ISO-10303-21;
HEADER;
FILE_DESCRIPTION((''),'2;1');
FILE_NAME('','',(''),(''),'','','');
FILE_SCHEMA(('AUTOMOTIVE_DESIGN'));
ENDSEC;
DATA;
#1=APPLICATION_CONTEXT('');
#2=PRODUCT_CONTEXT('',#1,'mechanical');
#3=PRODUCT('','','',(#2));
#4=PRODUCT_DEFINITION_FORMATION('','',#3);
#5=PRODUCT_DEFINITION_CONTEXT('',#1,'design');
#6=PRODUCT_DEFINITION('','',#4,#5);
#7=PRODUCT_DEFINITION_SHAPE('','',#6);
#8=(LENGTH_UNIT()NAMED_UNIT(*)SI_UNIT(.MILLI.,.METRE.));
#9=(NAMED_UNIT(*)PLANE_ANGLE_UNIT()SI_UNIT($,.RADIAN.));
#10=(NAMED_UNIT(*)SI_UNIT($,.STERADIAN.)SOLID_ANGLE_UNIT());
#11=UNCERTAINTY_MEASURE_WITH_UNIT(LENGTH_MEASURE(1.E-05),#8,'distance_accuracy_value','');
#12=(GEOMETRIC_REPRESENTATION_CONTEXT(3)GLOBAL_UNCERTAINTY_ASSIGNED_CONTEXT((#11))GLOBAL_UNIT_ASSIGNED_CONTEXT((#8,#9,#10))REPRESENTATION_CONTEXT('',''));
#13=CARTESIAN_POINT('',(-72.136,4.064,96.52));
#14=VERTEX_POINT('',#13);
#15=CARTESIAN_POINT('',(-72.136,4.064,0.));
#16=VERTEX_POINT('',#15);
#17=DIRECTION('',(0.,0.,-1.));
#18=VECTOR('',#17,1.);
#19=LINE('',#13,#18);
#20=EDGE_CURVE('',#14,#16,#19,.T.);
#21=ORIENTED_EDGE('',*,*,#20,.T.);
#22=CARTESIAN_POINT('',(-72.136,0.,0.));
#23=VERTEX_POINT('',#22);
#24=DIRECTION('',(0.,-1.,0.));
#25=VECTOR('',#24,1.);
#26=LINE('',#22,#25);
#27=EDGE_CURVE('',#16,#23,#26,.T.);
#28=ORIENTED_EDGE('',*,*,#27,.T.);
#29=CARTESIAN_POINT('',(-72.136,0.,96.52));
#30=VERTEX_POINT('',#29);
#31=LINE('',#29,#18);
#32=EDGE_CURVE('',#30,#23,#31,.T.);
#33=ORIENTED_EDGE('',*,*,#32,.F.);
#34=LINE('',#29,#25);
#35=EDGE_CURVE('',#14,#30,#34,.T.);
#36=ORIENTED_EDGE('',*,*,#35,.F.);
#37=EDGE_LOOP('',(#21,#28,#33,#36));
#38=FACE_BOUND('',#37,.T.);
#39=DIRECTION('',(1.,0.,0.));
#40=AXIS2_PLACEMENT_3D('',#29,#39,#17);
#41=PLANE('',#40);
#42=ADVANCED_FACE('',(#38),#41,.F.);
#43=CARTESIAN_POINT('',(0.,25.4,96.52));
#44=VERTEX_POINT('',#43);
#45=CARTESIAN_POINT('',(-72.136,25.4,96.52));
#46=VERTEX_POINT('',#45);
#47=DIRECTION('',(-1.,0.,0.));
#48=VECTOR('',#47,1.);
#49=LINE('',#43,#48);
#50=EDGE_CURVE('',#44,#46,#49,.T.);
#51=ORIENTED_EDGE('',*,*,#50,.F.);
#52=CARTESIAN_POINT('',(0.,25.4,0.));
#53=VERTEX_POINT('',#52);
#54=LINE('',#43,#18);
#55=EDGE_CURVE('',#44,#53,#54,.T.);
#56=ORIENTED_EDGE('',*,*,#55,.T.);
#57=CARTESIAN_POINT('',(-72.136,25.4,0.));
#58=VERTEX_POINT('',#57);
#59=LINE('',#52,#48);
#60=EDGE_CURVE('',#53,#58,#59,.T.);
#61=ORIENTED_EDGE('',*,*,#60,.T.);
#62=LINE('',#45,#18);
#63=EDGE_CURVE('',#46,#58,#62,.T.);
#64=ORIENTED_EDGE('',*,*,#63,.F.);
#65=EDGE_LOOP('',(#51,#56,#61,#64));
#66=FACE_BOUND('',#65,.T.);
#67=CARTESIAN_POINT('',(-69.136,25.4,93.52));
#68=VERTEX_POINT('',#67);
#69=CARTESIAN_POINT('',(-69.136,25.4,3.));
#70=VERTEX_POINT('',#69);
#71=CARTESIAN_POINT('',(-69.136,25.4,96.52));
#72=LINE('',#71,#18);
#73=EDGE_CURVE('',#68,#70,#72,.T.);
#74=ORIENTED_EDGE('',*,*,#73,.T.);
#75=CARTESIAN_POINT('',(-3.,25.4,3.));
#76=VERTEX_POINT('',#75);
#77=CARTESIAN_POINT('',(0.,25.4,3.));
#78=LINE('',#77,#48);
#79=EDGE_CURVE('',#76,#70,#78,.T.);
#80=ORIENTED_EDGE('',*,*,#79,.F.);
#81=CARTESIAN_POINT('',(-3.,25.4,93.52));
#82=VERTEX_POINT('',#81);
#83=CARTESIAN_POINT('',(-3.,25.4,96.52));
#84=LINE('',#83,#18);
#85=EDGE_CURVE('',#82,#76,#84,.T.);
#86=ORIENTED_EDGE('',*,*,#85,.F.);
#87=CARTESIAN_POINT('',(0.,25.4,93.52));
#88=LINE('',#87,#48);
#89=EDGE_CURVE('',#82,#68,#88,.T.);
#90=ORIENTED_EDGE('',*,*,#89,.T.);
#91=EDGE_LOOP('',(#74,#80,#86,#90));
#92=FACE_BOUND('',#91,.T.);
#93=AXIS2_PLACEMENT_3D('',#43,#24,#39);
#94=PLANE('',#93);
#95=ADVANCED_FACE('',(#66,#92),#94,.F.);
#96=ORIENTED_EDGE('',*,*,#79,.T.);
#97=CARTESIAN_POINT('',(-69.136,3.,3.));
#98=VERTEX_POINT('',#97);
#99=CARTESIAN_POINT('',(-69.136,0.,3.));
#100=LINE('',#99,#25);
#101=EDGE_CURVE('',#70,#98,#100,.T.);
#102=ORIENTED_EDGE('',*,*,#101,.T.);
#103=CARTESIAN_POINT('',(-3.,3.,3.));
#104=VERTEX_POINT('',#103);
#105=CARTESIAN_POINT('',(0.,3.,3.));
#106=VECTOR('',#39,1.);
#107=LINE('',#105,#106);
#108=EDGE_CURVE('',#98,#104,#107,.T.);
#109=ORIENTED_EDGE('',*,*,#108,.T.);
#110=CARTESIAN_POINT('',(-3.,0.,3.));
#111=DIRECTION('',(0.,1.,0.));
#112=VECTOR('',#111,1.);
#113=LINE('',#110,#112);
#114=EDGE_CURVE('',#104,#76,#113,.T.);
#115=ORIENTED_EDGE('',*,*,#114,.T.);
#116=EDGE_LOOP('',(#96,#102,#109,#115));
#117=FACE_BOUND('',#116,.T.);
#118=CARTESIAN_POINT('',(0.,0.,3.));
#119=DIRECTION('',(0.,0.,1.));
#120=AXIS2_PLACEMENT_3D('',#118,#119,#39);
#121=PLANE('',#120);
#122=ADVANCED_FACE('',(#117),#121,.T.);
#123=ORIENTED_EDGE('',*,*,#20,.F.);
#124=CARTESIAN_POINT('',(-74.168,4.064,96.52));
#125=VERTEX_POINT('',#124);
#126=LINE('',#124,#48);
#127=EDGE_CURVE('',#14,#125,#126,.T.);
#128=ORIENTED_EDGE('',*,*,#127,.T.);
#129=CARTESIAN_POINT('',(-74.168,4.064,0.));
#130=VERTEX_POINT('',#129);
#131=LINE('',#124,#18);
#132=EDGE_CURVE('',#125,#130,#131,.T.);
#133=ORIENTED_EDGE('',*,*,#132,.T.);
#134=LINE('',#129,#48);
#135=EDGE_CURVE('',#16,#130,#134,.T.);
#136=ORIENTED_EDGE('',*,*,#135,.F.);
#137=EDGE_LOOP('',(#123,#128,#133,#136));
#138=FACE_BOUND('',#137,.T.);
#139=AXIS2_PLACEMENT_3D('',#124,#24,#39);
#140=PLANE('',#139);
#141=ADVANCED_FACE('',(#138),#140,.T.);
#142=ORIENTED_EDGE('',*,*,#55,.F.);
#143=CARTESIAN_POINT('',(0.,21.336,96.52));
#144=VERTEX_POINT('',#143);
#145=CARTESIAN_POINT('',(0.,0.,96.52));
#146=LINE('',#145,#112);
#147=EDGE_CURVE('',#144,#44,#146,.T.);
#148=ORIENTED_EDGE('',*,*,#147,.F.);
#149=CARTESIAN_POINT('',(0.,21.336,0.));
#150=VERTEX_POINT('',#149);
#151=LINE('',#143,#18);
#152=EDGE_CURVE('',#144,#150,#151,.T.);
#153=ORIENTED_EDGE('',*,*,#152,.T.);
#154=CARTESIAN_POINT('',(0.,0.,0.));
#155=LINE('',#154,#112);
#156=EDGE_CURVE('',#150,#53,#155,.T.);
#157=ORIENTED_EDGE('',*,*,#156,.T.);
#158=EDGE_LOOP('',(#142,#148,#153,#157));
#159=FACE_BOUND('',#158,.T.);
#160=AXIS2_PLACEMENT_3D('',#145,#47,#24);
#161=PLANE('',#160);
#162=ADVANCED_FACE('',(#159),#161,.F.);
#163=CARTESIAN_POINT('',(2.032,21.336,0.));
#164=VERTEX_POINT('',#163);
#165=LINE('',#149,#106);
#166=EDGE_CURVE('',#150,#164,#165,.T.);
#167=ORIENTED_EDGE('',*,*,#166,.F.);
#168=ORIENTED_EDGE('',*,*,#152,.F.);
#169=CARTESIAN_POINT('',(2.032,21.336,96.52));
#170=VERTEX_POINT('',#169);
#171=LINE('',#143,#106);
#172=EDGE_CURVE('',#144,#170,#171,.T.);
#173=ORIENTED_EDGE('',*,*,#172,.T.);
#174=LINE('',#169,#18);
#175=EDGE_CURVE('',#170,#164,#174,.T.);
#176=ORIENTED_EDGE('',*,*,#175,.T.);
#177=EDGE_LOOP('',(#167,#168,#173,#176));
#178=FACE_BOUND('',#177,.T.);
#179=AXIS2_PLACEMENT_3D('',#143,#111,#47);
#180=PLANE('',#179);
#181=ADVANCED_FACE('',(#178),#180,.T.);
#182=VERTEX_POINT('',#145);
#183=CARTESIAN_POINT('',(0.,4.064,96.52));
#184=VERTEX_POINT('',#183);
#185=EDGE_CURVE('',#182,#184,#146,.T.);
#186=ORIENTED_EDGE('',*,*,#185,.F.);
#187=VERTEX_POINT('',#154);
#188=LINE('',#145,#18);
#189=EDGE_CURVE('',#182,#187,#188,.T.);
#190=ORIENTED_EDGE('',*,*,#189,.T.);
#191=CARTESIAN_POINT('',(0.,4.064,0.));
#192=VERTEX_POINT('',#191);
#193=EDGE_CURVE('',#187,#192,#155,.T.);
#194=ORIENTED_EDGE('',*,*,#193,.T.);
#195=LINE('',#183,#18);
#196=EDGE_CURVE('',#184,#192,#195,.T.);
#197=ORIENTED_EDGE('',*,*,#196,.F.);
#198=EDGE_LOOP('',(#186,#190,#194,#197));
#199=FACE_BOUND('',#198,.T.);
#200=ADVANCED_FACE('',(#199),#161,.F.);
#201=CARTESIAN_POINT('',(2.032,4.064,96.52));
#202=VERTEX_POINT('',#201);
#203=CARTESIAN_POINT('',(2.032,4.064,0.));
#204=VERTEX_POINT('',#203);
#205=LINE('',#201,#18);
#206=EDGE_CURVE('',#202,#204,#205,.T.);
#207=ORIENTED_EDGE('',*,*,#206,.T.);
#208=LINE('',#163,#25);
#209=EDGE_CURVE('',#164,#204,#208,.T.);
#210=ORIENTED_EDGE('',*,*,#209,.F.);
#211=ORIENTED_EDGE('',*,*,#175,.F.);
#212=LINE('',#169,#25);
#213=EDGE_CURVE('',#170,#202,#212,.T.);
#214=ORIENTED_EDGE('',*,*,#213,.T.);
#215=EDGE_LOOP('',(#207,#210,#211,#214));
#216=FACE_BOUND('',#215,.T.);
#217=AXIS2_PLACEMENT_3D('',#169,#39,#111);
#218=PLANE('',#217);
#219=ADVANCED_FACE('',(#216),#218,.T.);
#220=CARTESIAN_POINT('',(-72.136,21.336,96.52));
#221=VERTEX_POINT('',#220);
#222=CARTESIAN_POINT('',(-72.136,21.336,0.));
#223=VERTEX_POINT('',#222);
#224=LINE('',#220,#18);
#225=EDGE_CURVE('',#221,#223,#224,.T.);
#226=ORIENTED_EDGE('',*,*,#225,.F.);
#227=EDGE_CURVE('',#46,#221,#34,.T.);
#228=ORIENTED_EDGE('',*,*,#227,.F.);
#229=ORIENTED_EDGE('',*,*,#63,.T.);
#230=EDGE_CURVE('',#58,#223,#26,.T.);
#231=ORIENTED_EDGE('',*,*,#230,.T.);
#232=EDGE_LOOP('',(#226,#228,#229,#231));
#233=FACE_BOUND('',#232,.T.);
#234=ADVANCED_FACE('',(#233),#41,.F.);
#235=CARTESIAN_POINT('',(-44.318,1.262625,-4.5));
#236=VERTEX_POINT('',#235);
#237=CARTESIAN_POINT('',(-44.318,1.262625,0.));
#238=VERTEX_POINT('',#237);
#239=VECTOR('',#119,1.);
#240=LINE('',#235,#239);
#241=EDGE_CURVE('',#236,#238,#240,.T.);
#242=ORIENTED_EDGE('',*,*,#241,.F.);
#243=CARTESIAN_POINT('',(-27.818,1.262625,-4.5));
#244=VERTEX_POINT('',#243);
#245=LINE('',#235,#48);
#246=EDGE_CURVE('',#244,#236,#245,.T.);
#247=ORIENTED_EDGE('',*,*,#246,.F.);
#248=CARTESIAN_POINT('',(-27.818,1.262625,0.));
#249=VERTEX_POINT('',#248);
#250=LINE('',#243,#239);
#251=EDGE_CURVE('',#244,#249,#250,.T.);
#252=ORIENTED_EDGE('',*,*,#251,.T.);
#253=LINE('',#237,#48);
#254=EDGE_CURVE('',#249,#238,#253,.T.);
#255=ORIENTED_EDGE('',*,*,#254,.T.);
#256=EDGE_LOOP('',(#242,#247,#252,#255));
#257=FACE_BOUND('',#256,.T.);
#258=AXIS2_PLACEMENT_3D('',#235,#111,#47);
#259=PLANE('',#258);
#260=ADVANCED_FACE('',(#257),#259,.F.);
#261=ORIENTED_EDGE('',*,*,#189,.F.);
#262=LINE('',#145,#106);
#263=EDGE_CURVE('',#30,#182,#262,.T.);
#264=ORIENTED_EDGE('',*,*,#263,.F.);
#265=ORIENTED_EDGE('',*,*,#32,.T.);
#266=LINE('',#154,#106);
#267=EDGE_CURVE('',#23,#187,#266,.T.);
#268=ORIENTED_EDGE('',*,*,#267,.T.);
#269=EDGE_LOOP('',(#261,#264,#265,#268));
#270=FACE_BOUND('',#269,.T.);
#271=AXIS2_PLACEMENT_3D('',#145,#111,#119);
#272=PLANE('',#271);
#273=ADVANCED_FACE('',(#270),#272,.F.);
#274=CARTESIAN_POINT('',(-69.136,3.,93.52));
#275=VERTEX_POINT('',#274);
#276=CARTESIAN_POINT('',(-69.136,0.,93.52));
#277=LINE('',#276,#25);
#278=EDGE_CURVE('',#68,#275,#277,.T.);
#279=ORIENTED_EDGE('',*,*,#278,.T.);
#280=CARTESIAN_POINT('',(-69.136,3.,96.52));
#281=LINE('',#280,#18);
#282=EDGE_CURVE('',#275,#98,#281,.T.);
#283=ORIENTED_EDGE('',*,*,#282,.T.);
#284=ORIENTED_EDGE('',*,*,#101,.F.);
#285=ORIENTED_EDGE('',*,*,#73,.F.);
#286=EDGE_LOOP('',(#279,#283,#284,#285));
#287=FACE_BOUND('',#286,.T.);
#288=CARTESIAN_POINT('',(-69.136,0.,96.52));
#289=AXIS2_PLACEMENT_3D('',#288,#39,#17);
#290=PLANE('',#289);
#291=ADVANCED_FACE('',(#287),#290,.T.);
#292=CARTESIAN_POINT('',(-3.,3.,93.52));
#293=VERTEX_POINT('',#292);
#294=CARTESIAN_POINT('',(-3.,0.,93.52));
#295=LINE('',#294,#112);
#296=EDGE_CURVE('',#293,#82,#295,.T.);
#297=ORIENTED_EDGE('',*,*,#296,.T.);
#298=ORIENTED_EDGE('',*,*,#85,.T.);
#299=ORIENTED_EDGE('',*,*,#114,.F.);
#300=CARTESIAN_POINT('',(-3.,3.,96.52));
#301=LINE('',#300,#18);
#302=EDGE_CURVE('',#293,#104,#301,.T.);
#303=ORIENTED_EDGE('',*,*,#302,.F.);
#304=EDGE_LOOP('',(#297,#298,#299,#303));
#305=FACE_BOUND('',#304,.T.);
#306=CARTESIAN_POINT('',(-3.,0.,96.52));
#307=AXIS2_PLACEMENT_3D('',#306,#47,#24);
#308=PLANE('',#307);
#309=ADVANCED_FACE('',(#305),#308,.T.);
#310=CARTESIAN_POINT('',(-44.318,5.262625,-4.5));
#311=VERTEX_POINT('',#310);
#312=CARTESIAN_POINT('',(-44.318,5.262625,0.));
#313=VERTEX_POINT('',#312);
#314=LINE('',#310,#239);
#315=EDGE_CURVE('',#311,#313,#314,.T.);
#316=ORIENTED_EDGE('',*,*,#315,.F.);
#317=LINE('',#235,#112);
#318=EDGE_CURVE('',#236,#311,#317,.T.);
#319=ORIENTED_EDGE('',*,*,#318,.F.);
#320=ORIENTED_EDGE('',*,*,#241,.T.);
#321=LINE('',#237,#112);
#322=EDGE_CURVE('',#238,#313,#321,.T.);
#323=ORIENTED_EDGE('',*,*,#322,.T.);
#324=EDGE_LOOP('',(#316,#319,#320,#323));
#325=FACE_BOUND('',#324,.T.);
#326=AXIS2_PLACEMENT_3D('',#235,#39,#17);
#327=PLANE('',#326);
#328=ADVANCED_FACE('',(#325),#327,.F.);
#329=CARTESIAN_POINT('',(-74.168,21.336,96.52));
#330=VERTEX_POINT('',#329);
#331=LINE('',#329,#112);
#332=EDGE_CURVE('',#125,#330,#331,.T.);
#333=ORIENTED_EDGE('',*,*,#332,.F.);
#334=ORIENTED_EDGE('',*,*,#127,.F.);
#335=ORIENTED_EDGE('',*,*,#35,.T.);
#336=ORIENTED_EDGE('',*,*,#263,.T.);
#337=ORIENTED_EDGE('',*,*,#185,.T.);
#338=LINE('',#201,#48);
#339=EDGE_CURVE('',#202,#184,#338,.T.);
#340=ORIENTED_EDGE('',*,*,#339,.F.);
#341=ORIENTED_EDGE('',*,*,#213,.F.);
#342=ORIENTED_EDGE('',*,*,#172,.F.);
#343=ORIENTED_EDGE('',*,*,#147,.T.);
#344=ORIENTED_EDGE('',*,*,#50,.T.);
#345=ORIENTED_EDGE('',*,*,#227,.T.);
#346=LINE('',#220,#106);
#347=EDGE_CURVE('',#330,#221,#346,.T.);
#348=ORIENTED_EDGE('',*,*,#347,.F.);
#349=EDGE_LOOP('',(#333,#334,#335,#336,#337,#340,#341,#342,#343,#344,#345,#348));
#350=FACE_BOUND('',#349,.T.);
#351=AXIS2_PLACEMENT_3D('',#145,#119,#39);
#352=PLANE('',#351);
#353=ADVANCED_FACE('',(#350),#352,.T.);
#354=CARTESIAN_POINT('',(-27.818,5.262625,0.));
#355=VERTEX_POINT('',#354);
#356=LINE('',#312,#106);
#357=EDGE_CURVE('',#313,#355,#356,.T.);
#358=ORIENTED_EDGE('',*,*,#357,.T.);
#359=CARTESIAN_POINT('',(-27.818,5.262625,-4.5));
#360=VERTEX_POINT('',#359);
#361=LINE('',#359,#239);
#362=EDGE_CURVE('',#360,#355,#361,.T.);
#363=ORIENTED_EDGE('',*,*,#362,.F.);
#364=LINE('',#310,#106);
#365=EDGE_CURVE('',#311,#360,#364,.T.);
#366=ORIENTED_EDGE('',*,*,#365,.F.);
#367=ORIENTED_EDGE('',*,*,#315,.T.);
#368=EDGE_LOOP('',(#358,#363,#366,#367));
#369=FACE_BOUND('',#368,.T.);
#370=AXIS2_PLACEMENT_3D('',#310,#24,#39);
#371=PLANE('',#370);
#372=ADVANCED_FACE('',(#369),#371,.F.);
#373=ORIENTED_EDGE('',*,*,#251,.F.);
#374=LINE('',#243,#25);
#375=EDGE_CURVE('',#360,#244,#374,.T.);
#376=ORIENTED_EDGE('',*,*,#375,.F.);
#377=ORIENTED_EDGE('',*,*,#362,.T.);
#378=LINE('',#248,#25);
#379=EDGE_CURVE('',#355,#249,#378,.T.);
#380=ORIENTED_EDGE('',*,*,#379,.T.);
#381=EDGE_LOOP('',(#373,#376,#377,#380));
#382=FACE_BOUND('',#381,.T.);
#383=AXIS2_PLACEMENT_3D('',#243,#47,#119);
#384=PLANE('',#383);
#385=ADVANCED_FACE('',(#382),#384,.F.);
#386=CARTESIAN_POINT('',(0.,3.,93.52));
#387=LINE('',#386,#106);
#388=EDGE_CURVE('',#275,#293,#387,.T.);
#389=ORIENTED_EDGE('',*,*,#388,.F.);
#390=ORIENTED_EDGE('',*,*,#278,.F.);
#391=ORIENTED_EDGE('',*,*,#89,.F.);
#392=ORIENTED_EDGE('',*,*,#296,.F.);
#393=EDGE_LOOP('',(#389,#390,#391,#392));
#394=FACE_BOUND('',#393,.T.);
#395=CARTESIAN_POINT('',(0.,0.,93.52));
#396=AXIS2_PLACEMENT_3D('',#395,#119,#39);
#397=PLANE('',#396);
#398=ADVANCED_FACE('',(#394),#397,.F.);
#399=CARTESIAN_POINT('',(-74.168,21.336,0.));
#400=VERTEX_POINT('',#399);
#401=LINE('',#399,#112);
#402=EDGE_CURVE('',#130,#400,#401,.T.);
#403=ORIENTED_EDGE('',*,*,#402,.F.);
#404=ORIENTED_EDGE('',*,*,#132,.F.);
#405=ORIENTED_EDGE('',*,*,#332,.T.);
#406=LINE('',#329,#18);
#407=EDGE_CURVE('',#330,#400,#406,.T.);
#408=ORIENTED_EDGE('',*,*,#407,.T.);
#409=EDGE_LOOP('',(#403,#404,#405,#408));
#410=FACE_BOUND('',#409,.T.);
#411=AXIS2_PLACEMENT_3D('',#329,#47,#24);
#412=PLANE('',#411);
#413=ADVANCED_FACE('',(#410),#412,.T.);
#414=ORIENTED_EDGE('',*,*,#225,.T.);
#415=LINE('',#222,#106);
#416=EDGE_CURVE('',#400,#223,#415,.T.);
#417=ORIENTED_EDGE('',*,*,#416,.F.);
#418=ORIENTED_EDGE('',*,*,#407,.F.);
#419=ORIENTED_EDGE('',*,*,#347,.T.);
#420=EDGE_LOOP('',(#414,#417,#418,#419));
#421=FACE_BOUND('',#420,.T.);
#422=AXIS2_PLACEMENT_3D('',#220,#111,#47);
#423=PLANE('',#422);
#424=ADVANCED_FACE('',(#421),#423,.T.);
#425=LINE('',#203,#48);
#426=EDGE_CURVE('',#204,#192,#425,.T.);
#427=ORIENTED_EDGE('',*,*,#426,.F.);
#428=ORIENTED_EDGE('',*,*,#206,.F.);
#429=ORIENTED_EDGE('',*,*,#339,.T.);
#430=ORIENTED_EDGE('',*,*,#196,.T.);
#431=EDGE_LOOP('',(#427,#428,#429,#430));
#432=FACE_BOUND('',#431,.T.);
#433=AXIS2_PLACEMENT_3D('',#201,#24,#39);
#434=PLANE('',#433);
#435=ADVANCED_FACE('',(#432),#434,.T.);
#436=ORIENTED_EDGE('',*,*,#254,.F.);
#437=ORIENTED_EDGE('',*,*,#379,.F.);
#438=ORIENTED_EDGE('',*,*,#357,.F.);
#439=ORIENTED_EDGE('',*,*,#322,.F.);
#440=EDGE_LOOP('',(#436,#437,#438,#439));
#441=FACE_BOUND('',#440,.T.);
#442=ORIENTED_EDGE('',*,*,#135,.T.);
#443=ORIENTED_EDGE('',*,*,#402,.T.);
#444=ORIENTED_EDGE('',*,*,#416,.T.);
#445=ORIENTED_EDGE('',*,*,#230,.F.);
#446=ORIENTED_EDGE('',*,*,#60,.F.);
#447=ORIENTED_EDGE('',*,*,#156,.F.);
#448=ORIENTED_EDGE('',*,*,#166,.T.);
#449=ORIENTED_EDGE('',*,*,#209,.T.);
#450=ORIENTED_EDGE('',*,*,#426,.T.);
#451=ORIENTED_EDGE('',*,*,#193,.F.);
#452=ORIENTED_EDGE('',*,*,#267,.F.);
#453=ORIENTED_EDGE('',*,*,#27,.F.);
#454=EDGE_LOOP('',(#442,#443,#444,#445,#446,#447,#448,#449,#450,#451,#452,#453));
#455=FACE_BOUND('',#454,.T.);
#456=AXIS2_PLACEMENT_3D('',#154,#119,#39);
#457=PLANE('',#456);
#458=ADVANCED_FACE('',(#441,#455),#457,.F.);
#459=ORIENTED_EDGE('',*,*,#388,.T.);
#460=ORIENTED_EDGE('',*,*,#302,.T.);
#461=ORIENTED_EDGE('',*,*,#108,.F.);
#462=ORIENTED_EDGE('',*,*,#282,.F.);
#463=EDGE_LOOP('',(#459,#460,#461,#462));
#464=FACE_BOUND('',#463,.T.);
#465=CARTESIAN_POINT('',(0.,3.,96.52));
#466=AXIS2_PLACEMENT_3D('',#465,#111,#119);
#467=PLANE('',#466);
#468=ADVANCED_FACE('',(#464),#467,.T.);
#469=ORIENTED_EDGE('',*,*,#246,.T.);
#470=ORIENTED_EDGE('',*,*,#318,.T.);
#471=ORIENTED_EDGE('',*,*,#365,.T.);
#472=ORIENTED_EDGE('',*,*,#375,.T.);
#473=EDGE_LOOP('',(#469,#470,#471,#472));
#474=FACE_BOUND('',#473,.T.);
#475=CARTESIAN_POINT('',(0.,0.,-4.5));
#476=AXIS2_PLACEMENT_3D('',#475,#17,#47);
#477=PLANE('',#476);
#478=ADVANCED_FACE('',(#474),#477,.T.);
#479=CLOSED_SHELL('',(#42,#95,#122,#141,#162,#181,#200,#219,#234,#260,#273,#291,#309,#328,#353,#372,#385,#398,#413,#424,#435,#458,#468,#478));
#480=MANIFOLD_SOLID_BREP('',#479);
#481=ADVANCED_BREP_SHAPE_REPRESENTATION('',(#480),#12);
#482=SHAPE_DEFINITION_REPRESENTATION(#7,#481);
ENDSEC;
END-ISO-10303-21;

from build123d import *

# Parameters (mm, degrees)
CROQUIS1_W              = 72.136
CROQUIS1_H              = 25.4
SALIENTE_EXTRUIR1_DEPTH = 96.52
VACIADO1_T              = -3
CROQUIS2_W              = 2.032
CROQUIS2_H              = 17.272
SALIENTE_EXTRUIR3_DEPTH = 96.52
CROQUIS4_W              = 16.5
CROQUIS4_H              = 4
SALIENTE_EXTRUIR4_DEPTH = 4.5


with BuildPart() as part:
    # Croquis1 → Saliente-Extruir1 (new body)
    with BuildSketch(Plane.XY):
        with Locations((-36.068, 12.7)):
            Rectangle(CROQUIS1_W, CROQUIS1_H)
    extrude(amount=SALIENTE_EXTRUIR1_DEPTH)

    # Vaciado1
    vaciado1_openings = [part.faces().sort_by_distance(p)[0] for p in [
        (-36.068, 25.4, 48.26),
    ]]
    offset(amount=VACIADO1_T, openings=vaciado1_openings, kind=Kind.INTERSECTION)

    # Croquis2 → Saliente-Extruir3 (add)
    with BuildSketch(Plane(origin=(0, 0, 0), x_dir=(-1, 0, 0), z_dir=(0, 0, -1))):
        with Locations((-1.016, 12.7)):
            Rectangle(CROQUIS2_W, CROQUIS2_H)
        with Locations((73.152, 12.7)):
            Rectangle(CROQUIS2_W, CROQUIS2_H)
    extrude(amount=-SALIENTE_EXTRUIR3_DEPTH)

    # Croquis4 → Saliente-Extruir4 (add)
    with BuildSketch(Plane(origin=(0, 0, 0), x_dir=(-1, 0, 0), z_dir=(0, 0, -1))):
        with Locations((36.068, 3.262624702)):
            Rectangle(CROQUIS4_W, CROQUIS4_H)
    extrude(amount=SALIENTE_EXTRUIR4_DEPTH)


solid = part.part
